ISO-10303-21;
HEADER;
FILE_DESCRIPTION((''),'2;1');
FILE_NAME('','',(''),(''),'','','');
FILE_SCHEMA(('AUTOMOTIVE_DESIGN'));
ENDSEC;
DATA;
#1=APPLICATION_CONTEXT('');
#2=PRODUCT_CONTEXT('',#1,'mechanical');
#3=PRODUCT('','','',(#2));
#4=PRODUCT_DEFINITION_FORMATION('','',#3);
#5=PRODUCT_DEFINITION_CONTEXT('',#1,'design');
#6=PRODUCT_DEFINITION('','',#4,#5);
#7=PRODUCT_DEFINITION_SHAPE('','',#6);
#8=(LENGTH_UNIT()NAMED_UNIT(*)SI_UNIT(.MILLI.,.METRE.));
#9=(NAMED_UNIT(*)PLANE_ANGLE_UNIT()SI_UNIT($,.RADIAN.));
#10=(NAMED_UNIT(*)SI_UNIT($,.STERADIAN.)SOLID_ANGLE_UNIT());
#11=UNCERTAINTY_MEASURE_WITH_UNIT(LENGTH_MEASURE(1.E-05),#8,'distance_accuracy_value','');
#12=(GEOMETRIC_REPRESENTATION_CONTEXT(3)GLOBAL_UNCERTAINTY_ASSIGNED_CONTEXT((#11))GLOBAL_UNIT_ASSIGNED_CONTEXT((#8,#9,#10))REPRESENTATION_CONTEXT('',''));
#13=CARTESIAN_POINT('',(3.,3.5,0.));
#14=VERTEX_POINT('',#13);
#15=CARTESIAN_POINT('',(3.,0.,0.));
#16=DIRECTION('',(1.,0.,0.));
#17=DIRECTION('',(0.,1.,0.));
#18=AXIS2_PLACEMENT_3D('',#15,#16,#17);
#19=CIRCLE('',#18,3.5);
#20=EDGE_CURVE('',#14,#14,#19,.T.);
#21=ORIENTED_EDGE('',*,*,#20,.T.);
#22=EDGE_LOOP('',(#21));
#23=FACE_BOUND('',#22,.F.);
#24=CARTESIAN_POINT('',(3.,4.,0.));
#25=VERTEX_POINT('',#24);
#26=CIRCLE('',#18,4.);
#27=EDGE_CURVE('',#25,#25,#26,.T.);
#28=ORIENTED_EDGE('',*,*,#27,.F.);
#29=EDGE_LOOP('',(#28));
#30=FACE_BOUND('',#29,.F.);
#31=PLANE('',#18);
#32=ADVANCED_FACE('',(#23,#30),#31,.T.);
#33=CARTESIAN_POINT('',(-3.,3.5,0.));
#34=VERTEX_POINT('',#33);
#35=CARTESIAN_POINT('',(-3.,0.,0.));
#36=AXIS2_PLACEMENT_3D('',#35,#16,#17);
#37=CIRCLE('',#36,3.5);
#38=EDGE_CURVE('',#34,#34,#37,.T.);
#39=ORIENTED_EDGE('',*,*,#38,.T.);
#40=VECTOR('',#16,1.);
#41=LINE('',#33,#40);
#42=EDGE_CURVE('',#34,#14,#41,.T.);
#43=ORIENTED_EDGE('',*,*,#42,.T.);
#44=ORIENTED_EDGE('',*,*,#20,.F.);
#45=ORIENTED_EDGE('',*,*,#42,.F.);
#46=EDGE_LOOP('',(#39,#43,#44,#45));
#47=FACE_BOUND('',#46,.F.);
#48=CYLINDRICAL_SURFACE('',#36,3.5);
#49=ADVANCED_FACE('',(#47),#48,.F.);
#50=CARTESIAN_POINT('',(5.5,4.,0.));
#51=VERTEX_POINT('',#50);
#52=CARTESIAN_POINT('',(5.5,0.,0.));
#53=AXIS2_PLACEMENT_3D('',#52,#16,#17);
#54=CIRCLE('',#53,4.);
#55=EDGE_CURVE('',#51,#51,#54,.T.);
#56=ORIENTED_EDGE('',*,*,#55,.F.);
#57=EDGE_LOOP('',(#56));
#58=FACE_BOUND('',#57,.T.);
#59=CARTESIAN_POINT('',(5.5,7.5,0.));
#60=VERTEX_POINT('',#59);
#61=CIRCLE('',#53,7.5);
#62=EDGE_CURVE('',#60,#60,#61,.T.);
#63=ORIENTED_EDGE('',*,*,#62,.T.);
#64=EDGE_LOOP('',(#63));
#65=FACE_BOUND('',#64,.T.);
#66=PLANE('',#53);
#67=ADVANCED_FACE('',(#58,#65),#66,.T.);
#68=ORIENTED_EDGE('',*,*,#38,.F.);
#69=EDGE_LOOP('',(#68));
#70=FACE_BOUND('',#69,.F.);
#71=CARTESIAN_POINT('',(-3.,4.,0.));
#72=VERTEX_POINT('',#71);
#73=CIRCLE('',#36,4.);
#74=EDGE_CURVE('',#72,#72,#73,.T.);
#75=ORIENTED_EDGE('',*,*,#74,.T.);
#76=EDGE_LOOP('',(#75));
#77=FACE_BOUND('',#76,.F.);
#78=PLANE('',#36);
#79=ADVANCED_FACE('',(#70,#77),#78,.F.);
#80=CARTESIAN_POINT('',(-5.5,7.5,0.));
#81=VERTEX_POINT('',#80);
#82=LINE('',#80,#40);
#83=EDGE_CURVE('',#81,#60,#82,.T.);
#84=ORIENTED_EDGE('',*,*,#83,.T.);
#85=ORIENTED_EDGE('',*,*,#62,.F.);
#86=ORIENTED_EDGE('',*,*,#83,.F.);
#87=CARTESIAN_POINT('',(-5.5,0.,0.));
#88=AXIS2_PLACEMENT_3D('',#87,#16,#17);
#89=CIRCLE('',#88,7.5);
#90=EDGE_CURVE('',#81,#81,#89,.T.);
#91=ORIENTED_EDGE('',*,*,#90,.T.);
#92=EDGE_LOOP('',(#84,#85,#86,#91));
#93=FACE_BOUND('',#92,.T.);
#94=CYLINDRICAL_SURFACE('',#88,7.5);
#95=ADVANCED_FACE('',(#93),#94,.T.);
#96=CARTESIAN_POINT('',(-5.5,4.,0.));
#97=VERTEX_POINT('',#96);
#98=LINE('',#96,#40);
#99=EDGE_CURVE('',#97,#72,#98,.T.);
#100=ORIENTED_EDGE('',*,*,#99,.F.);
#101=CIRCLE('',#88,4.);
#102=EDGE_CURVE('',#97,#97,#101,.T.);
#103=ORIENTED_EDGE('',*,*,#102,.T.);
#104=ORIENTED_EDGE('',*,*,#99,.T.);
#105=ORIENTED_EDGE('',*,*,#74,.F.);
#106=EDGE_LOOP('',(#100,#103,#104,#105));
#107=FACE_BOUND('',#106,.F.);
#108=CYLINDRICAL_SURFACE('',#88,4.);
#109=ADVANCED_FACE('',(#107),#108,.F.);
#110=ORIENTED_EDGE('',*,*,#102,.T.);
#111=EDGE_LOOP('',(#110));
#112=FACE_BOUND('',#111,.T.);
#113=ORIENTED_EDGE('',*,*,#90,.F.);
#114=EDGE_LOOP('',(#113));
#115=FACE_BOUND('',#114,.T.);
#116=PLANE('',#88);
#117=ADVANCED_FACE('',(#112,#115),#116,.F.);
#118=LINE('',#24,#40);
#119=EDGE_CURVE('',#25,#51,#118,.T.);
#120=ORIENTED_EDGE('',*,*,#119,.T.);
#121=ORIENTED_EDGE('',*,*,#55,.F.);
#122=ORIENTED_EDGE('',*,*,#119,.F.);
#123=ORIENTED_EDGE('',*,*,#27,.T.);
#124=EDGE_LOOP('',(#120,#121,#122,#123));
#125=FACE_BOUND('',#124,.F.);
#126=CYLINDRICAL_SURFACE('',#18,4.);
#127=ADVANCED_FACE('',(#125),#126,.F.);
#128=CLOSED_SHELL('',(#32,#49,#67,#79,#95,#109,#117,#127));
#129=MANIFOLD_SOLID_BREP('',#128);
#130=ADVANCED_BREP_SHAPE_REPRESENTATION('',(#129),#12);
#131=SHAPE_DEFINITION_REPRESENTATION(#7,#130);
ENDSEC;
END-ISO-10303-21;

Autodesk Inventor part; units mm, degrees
sketch "_____1" plane through (0, 0, 0) normal (0, 0, 1) x (1, 0, 0)
  line L0 (5.5, 0) -> (-5.5, 0)
  line L1 (-5.5, 0) -> (-5.5, 7.5)
  line L2 (-5.5, 7.5) -> (5.5, 7.5)
  line L3 (5.5, 7.5) -> (5.5, 0)
  line L4 (5.5, 0) -> (-5.5, 0)
revolve "Revolution1" add sketch "_____1" angle 360 about axis through (5.5, 0, 0) along (1, 0, 0)
sketch "_____3" plane through (0, 0, 0) normal (0, 0, 1) x (1, 0, 0)
  line L0 (5.5, 0) -> (-5.5, 0)
  line L1 (-5.5, 0) -> (-5.5, 4)
  line L2 (-5.5, 4) -> (-3, 4)
  line L3 (-3, 4) -> (-3, 3.5)
  line L4 (-3, 3.5) -> (3, 3.5)
  line L5 (3, 3.5) -> (3, 4)
  line L6 (3, 4) -> (5.5, 4)
  line L7 (5.5, 4) -> (5.5, 0)
  line L8 (5.5, 0) -> (-5.5, 0)
revolve "Revolution2" cut sketch "_____3" angle 360 about axis through (5.5, 0, 0) along (1, 0, 0)
ref_plane "b600_1_XY" through (4.25, 0, 0) normal (1, 0, 0) x (0, 0, -1)
ref_plane "b600_1_YZ" through (4.25, 0, 0) normal (0, 0, -1) x (0, 1, 0)
ref_plane "b600_1_ZX" through (4.25, 0, 0) normal (0, 1, 0) x (1, 0, 0)
ref_plane "b600_2_XY" through (-4.25, 0, 0) normal (1, 0, 0) x (0, 0, -1)
ref_plane "b600_2_YZ" through (-4.25, 0, 0) normal (0, 0, -1) x (0, 1, 0)
ref_plane "b600_2_ZX" through (-4.25, 0, 0) normal (0, 1, 0) x (1, 0, 0)
ref_plane "to_dummy_XY" through (0, 0, 0) normal (1, 0, 0) x (0, 0, -1)
ref_plane "to_dummy_YZ" through (0, 0, 0) normal (0, 0, -1) x (0, 1, 0)
ref_plane "to_dummy_ZX" through (0, 0, 0) normal (0, 1, 0) x (1, 0, 0)
properties part number "C-AFBD11-15_bw"
